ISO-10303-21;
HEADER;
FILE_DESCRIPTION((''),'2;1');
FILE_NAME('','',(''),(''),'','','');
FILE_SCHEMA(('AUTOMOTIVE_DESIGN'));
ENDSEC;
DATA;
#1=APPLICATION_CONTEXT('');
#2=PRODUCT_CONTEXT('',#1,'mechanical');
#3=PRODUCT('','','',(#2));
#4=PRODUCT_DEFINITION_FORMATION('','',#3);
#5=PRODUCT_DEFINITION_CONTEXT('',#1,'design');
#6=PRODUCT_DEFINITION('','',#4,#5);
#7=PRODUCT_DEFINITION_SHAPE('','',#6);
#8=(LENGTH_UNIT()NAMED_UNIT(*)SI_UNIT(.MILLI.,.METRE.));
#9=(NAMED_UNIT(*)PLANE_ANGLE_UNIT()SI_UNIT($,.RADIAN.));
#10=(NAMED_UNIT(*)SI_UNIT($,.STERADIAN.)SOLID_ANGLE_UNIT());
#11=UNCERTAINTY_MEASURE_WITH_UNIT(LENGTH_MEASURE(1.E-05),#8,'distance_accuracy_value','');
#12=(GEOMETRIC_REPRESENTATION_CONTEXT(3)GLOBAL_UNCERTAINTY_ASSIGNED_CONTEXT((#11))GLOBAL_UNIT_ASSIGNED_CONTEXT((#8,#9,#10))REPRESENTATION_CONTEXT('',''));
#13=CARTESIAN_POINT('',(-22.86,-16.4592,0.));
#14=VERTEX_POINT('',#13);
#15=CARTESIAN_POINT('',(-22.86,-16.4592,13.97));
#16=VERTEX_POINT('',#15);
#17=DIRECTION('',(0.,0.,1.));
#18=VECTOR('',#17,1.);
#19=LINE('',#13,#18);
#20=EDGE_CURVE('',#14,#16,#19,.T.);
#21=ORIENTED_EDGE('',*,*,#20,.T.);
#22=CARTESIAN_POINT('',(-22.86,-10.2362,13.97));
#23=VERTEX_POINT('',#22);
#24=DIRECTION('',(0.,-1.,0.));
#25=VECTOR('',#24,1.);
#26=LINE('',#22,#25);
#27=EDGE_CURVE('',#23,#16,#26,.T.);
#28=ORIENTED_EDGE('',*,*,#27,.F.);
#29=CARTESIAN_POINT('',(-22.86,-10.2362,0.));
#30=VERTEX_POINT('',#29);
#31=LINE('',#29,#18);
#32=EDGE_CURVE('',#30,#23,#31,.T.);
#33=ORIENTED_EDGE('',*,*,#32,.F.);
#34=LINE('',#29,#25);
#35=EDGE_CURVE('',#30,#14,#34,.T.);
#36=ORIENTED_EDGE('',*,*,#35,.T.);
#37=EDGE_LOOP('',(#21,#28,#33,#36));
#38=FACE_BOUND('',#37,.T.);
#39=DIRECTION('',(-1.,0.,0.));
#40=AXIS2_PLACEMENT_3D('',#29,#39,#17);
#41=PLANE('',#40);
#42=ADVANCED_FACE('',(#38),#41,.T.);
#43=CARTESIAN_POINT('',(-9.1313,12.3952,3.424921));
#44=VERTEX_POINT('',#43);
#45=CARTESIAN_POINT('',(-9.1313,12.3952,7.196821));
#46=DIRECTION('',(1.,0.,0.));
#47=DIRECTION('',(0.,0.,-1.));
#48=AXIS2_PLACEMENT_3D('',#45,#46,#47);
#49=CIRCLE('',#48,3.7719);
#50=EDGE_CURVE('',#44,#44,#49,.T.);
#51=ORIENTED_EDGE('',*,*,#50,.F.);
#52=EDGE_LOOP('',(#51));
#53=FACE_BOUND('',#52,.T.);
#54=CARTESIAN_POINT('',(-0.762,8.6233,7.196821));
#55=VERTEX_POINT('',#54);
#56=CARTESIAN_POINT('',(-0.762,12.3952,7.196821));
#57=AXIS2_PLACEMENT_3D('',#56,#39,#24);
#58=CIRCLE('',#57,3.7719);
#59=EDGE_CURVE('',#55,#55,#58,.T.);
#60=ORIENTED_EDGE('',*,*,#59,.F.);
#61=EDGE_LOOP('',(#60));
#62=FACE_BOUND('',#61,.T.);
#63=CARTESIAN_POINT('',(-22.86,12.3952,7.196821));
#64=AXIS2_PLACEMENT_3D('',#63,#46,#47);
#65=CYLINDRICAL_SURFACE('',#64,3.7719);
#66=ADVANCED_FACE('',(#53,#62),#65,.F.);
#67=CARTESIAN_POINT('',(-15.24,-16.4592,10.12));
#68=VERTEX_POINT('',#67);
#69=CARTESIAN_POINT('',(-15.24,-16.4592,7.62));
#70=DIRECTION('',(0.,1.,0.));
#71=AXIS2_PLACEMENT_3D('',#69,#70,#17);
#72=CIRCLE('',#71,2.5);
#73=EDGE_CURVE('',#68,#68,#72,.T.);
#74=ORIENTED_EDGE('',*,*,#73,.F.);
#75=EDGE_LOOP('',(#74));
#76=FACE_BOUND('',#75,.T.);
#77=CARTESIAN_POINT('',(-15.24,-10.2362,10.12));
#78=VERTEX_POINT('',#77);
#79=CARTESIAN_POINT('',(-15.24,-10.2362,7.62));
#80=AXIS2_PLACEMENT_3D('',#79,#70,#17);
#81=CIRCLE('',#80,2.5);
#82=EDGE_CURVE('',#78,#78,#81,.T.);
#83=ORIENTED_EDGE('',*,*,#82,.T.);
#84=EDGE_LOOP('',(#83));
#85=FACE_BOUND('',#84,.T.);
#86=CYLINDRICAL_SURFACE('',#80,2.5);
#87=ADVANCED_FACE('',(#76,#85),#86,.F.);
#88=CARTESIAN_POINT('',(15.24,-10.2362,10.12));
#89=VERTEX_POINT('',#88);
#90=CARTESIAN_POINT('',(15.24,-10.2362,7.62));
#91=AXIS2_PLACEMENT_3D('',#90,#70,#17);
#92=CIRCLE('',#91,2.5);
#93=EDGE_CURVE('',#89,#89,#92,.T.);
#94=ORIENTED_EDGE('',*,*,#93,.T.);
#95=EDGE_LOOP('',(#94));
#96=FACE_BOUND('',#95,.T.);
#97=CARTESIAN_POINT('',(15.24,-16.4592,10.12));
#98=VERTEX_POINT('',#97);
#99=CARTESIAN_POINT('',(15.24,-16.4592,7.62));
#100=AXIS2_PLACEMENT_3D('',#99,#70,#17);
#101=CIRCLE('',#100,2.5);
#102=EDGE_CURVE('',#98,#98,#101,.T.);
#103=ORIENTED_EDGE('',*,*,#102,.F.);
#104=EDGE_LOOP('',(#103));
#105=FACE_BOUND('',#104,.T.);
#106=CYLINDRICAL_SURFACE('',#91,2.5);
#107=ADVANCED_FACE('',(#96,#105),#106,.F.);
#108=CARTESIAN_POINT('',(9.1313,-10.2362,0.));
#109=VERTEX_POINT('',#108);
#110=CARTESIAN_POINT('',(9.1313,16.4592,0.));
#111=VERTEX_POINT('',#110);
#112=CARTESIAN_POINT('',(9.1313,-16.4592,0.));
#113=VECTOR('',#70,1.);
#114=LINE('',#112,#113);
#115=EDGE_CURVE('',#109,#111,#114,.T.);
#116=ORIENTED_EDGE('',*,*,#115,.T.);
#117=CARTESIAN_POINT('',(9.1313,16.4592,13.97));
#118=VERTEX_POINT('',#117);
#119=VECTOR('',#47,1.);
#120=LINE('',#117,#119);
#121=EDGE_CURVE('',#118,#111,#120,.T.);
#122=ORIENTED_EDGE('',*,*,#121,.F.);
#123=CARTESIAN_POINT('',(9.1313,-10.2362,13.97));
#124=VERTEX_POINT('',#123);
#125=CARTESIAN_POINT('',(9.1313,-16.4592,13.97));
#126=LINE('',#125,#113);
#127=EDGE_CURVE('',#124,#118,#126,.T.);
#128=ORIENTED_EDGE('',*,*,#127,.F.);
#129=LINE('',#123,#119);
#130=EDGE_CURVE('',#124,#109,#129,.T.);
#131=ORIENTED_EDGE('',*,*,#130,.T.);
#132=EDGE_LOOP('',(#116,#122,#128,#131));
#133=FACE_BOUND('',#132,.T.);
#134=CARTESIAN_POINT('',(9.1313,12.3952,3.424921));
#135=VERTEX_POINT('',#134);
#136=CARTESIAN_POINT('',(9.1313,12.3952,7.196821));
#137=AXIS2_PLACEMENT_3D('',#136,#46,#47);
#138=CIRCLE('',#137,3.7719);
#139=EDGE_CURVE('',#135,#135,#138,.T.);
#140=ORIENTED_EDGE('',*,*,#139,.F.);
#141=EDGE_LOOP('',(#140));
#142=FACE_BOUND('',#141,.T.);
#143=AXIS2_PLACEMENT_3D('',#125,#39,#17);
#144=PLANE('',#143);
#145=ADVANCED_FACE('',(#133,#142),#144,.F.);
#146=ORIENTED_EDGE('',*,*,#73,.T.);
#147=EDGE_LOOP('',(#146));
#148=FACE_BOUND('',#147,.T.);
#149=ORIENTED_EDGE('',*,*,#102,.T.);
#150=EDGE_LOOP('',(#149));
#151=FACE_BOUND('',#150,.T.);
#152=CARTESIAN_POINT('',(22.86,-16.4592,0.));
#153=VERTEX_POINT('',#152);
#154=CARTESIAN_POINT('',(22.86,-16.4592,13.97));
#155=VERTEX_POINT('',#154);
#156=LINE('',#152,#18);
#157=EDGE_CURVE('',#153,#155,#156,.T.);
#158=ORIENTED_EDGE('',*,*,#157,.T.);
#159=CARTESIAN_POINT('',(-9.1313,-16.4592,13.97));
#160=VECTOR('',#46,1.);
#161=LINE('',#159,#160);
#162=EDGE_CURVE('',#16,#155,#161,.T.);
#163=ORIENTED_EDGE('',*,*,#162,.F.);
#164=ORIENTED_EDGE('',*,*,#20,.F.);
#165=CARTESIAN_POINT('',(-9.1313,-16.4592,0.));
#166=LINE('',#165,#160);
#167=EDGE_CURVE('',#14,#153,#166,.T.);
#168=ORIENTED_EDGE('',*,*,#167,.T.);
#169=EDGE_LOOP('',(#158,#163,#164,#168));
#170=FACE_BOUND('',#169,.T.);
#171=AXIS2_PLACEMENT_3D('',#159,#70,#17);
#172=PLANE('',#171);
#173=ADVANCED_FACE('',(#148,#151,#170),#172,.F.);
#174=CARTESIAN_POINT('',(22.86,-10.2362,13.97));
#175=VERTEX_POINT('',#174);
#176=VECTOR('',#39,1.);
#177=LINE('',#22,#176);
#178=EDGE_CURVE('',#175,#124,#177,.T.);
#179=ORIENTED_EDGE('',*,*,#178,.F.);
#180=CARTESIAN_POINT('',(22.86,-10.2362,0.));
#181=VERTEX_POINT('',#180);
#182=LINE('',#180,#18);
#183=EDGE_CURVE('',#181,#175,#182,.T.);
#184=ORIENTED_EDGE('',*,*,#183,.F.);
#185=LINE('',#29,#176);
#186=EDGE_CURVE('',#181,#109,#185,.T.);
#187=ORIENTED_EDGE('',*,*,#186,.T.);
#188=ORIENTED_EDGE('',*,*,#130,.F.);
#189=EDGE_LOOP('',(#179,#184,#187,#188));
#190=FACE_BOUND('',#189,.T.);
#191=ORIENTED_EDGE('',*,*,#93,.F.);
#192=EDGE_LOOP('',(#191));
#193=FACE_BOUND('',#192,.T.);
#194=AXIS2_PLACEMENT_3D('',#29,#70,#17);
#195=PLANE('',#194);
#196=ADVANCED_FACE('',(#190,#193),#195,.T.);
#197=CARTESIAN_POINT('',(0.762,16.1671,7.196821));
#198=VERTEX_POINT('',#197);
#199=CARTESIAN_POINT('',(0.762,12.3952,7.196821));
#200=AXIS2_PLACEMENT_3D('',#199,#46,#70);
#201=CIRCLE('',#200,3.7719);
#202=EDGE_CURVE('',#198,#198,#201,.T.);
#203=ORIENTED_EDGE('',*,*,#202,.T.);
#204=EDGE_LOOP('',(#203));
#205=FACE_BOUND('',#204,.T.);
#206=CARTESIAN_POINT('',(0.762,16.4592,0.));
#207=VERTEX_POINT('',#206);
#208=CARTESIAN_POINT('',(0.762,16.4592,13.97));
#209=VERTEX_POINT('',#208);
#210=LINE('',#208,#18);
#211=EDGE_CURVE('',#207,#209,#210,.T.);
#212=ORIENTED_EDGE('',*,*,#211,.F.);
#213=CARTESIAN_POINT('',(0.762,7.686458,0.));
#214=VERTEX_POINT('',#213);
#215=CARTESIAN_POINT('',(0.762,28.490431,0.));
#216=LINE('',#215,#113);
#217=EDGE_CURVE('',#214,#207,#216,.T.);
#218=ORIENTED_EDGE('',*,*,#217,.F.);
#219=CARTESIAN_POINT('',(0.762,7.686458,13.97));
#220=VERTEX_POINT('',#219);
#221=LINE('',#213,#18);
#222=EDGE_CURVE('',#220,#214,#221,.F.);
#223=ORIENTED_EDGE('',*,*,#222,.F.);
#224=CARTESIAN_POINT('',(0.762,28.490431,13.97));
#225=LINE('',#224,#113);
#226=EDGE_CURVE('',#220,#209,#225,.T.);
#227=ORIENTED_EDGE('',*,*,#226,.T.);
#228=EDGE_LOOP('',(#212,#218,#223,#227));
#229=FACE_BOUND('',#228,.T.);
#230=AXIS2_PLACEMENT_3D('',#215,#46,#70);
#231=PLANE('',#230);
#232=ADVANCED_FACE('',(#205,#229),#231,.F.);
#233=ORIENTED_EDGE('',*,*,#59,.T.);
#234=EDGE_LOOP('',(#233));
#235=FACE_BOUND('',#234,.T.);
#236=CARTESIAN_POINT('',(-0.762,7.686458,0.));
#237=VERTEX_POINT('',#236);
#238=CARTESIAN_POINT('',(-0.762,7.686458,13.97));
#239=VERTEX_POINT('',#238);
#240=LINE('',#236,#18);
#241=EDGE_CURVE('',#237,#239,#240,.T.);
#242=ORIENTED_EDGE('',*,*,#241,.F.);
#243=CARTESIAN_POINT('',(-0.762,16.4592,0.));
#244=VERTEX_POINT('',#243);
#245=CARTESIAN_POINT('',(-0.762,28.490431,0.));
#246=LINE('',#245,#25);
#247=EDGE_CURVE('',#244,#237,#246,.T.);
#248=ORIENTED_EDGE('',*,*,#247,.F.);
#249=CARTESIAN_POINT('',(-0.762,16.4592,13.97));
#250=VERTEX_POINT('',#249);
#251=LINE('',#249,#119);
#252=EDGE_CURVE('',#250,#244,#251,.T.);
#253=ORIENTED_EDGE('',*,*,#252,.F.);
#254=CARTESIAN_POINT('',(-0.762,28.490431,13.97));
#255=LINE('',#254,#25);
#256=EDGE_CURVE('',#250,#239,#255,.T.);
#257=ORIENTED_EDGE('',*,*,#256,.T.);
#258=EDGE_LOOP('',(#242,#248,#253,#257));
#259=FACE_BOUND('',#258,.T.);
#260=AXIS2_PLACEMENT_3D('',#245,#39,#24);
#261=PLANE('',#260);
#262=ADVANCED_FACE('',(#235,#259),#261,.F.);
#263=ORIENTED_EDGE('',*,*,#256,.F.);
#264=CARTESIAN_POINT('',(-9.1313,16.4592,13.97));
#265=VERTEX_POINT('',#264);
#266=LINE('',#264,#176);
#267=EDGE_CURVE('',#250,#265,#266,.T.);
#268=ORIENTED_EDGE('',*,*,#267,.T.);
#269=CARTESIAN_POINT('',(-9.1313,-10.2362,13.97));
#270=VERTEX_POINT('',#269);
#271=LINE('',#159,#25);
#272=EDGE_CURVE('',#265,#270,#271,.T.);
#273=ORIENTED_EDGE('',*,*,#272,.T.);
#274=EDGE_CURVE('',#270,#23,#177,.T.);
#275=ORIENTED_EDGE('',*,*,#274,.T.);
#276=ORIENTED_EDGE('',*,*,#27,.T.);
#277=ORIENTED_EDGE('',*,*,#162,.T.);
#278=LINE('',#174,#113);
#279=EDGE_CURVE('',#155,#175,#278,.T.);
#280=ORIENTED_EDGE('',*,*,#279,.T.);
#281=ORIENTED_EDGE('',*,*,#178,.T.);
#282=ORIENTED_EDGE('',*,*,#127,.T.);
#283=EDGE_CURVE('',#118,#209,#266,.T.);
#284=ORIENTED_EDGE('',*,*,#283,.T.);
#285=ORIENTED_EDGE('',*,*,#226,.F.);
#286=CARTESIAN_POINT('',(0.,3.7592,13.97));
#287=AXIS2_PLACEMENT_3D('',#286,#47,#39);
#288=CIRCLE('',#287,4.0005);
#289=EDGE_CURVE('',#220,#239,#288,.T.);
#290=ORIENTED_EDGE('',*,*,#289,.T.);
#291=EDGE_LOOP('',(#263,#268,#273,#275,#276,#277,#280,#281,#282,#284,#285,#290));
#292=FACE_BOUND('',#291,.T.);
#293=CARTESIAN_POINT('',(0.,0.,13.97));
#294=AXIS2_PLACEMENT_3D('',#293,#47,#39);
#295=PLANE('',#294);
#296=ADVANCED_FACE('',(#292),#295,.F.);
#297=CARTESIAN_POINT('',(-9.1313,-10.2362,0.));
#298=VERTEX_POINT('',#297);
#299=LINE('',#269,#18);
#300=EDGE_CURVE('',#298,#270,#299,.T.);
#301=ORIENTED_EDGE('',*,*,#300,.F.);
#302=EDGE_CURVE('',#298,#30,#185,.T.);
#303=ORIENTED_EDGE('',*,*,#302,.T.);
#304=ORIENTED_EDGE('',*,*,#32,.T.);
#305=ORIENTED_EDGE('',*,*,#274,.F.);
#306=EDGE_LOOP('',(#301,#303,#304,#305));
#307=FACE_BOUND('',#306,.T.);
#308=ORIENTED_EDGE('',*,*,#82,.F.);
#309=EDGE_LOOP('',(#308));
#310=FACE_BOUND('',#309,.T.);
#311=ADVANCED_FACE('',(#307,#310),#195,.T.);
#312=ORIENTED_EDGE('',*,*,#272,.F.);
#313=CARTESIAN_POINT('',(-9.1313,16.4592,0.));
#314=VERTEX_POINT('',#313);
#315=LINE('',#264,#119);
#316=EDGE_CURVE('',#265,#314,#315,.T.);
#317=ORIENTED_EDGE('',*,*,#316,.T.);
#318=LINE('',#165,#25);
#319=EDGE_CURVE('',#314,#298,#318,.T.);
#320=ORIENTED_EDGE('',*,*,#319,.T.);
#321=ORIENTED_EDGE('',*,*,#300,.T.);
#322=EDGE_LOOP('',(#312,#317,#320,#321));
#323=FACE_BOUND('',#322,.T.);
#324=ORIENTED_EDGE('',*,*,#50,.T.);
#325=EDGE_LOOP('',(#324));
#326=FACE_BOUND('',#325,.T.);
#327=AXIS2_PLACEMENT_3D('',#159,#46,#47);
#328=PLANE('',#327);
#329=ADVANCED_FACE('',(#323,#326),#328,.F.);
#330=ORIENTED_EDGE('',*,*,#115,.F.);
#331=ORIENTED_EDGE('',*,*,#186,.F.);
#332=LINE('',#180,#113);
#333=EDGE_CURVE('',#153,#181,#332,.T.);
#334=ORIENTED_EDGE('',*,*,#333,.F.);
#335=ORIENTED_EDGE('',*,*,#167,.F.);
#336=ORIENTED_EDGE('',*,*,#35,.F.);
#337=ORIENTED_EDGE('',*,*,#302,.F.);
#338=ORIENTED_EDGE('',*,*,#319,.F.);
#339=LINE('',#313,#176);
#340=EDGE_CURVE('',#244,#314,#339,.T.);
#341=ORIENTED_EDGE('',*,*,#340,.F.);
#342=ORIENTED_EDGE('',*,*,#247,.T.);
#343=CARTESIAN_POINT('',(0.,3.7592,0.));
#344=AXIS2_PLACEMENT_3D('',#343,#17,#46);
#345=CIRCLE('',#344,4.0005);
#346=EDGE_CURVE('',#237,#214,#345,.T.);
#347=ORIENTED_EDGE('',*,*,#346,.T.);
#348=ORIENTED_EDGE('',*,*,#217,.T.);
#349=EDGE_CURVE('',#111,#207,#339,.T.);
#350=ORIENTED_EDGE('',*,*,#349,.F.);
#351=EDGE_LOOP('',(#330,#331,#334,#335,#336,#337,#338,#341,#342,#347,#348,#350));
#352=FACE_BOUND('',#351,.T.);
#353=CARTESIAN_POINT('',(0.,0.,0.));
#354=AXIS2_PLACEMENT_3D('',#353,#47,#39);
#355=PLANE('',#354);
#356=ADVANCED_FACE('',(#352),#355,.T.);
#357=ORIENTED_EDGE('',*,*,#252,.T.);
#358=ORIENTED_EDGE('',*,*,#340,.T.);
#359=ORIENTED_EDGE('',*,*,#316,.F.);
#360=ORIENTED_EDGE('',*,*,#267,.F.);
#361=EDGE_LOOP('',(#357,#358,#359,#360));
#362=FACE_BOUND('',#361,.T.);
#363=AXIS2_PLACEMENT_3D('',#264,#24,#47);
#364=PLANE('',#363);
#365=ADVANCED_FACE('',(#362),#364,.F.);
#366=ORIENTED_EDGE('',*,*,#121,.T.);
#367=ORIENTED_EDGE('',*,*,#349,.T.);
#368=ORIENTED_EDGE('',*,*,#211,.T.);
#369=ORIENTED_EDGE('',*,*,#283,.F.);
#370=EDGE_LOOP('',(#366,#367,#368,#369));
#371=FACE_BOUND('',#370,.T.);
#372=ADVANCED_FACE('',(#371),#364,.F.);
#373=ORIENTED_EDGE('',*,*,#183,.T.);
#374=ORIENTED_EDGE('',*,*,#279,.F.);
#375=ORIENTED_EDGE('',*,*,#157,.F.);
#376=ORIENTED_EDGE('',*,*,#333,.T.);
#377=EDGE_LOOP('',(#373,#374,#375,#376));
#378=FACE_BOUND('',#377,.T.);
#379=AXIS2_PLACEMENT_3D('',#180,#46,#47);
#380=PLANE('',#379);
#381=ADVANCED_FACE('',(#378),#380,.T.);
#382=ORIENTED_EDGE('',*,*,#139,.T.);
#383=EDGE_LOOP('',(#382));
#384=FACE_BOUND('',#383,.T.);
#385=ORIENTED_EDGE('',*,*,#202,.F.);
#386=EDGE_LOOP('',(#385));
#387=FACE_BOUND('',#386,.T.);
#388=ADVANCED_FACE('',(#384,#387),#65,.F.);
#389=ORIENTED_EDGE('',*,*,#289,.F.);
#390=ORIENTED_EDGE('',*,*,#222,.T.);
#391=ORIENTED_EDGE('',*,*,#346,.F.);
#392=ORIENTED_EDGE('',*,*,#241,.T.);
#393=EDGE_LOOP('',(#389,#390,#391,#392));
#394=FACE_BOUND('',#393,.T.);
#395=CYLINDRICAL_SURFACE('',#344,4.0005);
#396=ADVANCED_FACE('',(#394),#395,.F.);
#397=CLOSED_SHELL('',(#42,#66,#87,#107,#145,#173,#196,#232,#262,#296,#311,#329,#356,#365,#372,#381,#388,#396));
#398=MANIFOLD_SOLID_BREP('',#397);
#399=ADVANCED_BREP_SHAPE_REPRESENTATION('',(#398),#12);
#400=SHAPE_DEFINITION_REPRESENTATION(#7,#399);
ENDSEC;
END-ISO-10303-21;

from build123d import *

# Parameters (mm, degrees)
SKETCH1_W              = 18.2626
SKETCH1_H              = 32.9184
MAIN_BODY_DEPTH        = 13.97
SKETCH2_W              = 45.72
SKETCH2_H              = 6.223
BOTTOM_BODY_DEPTH      = 13.97
SKETCH3_R              = 4.0005
CENTER_HOLE_DEPTH      = 1
CENTER_HOLE_DEPTH_BACK = 14.97
SKETCH4_W              = 1.524
SKETCH4_H              = 24.062462206
CENTER_CUT_DEPTH       = 14.97
SKETCH5_R              = 3.7719
SIDE_HOLE_DEPTH        = 32.9913
F_5_0MM_DOWEL_HOLE1_D  = 5


with BuildPart() as part:
    # Sketch1 → Main Body] (new body)
    with BuildSketch(Plane.XY):
        Rectangle(SKETCH1_W, SKETCH1_H)
    extrude(amount=MAIN_BODY_DEPTH)

    # Sketch2 → Bottom Body (add)
    with BuildSketch(Plane.XY.offset(13.97)):
        with Locations((0, -13.3477)):
            Rectangle(SKETCH2_W, SKETCH2_H)
    extrude(amount=-BOTTOM_BODY_DEPTH)

    # Sketch3 → Center Hole (cut, two sides)
    with BuildSketch(Plane.XY.offset(13.97)) as center_hole_sk:
        with Locations((0, 3.7592)):
            Circle(SKETCH3_R)
    extrude(amount=CENTER_HOLE_DEPTH, mode=Mode.SUBTRACT)
    extrude(center_hole_sk.sketch, amount=-CENTER_HOLE_DEPTH_BACK, mode=Mode.SUBTRACT)

    # Sketch4 → Center Cut (cut, through all)
    with BuildSketch(Plane.XY.offset(13.97)):
        with Locations((0, 16.4592)):
            Rectangle(SKETCH4_W, SKETCH4_H)
    extrude(amount=-CENTER_CUT_DEPTH, mode=Mode.SUBTRACT)

    # Sketch5 → Side Hole (cut, through all)
    with BuildSketch(Plane(origin=(9.1313, 0, 0), x_dir=(0, 0, -1), z_dir=(1, 0, 0))):
        with Locations((-7.196820587, 12.3952)):
            Circle(SKETCH5_R)
    extrude(amount=-SIDE_HOLE_DEPTH, mode=Mode.SUBTRACT)

    # Ø5.0mm Dowel Hole1 (through all)
    with Locations(Plane(origin=(0, -10.2362, 0), x_dir=(1, 0, 0), z_dir=(0, 1, 0))):
        with Locations((15.24, -7.62)):
            f_5_0mm_dowel_hole1 = Hole(F_5_0MM_DOWEL_HOLE1_D / 2)

    # Mirror1: Ø5.0mm Dowel Hole1 across plane
    add(f_5_0mm_dowel_hole1.mirror(Plane(origin=(0, 0, 0), x_dir=(0, 0, 1), z_dir=(1, 0, 0))), mode=Mode.SUBTRACT)


solid = part.part
